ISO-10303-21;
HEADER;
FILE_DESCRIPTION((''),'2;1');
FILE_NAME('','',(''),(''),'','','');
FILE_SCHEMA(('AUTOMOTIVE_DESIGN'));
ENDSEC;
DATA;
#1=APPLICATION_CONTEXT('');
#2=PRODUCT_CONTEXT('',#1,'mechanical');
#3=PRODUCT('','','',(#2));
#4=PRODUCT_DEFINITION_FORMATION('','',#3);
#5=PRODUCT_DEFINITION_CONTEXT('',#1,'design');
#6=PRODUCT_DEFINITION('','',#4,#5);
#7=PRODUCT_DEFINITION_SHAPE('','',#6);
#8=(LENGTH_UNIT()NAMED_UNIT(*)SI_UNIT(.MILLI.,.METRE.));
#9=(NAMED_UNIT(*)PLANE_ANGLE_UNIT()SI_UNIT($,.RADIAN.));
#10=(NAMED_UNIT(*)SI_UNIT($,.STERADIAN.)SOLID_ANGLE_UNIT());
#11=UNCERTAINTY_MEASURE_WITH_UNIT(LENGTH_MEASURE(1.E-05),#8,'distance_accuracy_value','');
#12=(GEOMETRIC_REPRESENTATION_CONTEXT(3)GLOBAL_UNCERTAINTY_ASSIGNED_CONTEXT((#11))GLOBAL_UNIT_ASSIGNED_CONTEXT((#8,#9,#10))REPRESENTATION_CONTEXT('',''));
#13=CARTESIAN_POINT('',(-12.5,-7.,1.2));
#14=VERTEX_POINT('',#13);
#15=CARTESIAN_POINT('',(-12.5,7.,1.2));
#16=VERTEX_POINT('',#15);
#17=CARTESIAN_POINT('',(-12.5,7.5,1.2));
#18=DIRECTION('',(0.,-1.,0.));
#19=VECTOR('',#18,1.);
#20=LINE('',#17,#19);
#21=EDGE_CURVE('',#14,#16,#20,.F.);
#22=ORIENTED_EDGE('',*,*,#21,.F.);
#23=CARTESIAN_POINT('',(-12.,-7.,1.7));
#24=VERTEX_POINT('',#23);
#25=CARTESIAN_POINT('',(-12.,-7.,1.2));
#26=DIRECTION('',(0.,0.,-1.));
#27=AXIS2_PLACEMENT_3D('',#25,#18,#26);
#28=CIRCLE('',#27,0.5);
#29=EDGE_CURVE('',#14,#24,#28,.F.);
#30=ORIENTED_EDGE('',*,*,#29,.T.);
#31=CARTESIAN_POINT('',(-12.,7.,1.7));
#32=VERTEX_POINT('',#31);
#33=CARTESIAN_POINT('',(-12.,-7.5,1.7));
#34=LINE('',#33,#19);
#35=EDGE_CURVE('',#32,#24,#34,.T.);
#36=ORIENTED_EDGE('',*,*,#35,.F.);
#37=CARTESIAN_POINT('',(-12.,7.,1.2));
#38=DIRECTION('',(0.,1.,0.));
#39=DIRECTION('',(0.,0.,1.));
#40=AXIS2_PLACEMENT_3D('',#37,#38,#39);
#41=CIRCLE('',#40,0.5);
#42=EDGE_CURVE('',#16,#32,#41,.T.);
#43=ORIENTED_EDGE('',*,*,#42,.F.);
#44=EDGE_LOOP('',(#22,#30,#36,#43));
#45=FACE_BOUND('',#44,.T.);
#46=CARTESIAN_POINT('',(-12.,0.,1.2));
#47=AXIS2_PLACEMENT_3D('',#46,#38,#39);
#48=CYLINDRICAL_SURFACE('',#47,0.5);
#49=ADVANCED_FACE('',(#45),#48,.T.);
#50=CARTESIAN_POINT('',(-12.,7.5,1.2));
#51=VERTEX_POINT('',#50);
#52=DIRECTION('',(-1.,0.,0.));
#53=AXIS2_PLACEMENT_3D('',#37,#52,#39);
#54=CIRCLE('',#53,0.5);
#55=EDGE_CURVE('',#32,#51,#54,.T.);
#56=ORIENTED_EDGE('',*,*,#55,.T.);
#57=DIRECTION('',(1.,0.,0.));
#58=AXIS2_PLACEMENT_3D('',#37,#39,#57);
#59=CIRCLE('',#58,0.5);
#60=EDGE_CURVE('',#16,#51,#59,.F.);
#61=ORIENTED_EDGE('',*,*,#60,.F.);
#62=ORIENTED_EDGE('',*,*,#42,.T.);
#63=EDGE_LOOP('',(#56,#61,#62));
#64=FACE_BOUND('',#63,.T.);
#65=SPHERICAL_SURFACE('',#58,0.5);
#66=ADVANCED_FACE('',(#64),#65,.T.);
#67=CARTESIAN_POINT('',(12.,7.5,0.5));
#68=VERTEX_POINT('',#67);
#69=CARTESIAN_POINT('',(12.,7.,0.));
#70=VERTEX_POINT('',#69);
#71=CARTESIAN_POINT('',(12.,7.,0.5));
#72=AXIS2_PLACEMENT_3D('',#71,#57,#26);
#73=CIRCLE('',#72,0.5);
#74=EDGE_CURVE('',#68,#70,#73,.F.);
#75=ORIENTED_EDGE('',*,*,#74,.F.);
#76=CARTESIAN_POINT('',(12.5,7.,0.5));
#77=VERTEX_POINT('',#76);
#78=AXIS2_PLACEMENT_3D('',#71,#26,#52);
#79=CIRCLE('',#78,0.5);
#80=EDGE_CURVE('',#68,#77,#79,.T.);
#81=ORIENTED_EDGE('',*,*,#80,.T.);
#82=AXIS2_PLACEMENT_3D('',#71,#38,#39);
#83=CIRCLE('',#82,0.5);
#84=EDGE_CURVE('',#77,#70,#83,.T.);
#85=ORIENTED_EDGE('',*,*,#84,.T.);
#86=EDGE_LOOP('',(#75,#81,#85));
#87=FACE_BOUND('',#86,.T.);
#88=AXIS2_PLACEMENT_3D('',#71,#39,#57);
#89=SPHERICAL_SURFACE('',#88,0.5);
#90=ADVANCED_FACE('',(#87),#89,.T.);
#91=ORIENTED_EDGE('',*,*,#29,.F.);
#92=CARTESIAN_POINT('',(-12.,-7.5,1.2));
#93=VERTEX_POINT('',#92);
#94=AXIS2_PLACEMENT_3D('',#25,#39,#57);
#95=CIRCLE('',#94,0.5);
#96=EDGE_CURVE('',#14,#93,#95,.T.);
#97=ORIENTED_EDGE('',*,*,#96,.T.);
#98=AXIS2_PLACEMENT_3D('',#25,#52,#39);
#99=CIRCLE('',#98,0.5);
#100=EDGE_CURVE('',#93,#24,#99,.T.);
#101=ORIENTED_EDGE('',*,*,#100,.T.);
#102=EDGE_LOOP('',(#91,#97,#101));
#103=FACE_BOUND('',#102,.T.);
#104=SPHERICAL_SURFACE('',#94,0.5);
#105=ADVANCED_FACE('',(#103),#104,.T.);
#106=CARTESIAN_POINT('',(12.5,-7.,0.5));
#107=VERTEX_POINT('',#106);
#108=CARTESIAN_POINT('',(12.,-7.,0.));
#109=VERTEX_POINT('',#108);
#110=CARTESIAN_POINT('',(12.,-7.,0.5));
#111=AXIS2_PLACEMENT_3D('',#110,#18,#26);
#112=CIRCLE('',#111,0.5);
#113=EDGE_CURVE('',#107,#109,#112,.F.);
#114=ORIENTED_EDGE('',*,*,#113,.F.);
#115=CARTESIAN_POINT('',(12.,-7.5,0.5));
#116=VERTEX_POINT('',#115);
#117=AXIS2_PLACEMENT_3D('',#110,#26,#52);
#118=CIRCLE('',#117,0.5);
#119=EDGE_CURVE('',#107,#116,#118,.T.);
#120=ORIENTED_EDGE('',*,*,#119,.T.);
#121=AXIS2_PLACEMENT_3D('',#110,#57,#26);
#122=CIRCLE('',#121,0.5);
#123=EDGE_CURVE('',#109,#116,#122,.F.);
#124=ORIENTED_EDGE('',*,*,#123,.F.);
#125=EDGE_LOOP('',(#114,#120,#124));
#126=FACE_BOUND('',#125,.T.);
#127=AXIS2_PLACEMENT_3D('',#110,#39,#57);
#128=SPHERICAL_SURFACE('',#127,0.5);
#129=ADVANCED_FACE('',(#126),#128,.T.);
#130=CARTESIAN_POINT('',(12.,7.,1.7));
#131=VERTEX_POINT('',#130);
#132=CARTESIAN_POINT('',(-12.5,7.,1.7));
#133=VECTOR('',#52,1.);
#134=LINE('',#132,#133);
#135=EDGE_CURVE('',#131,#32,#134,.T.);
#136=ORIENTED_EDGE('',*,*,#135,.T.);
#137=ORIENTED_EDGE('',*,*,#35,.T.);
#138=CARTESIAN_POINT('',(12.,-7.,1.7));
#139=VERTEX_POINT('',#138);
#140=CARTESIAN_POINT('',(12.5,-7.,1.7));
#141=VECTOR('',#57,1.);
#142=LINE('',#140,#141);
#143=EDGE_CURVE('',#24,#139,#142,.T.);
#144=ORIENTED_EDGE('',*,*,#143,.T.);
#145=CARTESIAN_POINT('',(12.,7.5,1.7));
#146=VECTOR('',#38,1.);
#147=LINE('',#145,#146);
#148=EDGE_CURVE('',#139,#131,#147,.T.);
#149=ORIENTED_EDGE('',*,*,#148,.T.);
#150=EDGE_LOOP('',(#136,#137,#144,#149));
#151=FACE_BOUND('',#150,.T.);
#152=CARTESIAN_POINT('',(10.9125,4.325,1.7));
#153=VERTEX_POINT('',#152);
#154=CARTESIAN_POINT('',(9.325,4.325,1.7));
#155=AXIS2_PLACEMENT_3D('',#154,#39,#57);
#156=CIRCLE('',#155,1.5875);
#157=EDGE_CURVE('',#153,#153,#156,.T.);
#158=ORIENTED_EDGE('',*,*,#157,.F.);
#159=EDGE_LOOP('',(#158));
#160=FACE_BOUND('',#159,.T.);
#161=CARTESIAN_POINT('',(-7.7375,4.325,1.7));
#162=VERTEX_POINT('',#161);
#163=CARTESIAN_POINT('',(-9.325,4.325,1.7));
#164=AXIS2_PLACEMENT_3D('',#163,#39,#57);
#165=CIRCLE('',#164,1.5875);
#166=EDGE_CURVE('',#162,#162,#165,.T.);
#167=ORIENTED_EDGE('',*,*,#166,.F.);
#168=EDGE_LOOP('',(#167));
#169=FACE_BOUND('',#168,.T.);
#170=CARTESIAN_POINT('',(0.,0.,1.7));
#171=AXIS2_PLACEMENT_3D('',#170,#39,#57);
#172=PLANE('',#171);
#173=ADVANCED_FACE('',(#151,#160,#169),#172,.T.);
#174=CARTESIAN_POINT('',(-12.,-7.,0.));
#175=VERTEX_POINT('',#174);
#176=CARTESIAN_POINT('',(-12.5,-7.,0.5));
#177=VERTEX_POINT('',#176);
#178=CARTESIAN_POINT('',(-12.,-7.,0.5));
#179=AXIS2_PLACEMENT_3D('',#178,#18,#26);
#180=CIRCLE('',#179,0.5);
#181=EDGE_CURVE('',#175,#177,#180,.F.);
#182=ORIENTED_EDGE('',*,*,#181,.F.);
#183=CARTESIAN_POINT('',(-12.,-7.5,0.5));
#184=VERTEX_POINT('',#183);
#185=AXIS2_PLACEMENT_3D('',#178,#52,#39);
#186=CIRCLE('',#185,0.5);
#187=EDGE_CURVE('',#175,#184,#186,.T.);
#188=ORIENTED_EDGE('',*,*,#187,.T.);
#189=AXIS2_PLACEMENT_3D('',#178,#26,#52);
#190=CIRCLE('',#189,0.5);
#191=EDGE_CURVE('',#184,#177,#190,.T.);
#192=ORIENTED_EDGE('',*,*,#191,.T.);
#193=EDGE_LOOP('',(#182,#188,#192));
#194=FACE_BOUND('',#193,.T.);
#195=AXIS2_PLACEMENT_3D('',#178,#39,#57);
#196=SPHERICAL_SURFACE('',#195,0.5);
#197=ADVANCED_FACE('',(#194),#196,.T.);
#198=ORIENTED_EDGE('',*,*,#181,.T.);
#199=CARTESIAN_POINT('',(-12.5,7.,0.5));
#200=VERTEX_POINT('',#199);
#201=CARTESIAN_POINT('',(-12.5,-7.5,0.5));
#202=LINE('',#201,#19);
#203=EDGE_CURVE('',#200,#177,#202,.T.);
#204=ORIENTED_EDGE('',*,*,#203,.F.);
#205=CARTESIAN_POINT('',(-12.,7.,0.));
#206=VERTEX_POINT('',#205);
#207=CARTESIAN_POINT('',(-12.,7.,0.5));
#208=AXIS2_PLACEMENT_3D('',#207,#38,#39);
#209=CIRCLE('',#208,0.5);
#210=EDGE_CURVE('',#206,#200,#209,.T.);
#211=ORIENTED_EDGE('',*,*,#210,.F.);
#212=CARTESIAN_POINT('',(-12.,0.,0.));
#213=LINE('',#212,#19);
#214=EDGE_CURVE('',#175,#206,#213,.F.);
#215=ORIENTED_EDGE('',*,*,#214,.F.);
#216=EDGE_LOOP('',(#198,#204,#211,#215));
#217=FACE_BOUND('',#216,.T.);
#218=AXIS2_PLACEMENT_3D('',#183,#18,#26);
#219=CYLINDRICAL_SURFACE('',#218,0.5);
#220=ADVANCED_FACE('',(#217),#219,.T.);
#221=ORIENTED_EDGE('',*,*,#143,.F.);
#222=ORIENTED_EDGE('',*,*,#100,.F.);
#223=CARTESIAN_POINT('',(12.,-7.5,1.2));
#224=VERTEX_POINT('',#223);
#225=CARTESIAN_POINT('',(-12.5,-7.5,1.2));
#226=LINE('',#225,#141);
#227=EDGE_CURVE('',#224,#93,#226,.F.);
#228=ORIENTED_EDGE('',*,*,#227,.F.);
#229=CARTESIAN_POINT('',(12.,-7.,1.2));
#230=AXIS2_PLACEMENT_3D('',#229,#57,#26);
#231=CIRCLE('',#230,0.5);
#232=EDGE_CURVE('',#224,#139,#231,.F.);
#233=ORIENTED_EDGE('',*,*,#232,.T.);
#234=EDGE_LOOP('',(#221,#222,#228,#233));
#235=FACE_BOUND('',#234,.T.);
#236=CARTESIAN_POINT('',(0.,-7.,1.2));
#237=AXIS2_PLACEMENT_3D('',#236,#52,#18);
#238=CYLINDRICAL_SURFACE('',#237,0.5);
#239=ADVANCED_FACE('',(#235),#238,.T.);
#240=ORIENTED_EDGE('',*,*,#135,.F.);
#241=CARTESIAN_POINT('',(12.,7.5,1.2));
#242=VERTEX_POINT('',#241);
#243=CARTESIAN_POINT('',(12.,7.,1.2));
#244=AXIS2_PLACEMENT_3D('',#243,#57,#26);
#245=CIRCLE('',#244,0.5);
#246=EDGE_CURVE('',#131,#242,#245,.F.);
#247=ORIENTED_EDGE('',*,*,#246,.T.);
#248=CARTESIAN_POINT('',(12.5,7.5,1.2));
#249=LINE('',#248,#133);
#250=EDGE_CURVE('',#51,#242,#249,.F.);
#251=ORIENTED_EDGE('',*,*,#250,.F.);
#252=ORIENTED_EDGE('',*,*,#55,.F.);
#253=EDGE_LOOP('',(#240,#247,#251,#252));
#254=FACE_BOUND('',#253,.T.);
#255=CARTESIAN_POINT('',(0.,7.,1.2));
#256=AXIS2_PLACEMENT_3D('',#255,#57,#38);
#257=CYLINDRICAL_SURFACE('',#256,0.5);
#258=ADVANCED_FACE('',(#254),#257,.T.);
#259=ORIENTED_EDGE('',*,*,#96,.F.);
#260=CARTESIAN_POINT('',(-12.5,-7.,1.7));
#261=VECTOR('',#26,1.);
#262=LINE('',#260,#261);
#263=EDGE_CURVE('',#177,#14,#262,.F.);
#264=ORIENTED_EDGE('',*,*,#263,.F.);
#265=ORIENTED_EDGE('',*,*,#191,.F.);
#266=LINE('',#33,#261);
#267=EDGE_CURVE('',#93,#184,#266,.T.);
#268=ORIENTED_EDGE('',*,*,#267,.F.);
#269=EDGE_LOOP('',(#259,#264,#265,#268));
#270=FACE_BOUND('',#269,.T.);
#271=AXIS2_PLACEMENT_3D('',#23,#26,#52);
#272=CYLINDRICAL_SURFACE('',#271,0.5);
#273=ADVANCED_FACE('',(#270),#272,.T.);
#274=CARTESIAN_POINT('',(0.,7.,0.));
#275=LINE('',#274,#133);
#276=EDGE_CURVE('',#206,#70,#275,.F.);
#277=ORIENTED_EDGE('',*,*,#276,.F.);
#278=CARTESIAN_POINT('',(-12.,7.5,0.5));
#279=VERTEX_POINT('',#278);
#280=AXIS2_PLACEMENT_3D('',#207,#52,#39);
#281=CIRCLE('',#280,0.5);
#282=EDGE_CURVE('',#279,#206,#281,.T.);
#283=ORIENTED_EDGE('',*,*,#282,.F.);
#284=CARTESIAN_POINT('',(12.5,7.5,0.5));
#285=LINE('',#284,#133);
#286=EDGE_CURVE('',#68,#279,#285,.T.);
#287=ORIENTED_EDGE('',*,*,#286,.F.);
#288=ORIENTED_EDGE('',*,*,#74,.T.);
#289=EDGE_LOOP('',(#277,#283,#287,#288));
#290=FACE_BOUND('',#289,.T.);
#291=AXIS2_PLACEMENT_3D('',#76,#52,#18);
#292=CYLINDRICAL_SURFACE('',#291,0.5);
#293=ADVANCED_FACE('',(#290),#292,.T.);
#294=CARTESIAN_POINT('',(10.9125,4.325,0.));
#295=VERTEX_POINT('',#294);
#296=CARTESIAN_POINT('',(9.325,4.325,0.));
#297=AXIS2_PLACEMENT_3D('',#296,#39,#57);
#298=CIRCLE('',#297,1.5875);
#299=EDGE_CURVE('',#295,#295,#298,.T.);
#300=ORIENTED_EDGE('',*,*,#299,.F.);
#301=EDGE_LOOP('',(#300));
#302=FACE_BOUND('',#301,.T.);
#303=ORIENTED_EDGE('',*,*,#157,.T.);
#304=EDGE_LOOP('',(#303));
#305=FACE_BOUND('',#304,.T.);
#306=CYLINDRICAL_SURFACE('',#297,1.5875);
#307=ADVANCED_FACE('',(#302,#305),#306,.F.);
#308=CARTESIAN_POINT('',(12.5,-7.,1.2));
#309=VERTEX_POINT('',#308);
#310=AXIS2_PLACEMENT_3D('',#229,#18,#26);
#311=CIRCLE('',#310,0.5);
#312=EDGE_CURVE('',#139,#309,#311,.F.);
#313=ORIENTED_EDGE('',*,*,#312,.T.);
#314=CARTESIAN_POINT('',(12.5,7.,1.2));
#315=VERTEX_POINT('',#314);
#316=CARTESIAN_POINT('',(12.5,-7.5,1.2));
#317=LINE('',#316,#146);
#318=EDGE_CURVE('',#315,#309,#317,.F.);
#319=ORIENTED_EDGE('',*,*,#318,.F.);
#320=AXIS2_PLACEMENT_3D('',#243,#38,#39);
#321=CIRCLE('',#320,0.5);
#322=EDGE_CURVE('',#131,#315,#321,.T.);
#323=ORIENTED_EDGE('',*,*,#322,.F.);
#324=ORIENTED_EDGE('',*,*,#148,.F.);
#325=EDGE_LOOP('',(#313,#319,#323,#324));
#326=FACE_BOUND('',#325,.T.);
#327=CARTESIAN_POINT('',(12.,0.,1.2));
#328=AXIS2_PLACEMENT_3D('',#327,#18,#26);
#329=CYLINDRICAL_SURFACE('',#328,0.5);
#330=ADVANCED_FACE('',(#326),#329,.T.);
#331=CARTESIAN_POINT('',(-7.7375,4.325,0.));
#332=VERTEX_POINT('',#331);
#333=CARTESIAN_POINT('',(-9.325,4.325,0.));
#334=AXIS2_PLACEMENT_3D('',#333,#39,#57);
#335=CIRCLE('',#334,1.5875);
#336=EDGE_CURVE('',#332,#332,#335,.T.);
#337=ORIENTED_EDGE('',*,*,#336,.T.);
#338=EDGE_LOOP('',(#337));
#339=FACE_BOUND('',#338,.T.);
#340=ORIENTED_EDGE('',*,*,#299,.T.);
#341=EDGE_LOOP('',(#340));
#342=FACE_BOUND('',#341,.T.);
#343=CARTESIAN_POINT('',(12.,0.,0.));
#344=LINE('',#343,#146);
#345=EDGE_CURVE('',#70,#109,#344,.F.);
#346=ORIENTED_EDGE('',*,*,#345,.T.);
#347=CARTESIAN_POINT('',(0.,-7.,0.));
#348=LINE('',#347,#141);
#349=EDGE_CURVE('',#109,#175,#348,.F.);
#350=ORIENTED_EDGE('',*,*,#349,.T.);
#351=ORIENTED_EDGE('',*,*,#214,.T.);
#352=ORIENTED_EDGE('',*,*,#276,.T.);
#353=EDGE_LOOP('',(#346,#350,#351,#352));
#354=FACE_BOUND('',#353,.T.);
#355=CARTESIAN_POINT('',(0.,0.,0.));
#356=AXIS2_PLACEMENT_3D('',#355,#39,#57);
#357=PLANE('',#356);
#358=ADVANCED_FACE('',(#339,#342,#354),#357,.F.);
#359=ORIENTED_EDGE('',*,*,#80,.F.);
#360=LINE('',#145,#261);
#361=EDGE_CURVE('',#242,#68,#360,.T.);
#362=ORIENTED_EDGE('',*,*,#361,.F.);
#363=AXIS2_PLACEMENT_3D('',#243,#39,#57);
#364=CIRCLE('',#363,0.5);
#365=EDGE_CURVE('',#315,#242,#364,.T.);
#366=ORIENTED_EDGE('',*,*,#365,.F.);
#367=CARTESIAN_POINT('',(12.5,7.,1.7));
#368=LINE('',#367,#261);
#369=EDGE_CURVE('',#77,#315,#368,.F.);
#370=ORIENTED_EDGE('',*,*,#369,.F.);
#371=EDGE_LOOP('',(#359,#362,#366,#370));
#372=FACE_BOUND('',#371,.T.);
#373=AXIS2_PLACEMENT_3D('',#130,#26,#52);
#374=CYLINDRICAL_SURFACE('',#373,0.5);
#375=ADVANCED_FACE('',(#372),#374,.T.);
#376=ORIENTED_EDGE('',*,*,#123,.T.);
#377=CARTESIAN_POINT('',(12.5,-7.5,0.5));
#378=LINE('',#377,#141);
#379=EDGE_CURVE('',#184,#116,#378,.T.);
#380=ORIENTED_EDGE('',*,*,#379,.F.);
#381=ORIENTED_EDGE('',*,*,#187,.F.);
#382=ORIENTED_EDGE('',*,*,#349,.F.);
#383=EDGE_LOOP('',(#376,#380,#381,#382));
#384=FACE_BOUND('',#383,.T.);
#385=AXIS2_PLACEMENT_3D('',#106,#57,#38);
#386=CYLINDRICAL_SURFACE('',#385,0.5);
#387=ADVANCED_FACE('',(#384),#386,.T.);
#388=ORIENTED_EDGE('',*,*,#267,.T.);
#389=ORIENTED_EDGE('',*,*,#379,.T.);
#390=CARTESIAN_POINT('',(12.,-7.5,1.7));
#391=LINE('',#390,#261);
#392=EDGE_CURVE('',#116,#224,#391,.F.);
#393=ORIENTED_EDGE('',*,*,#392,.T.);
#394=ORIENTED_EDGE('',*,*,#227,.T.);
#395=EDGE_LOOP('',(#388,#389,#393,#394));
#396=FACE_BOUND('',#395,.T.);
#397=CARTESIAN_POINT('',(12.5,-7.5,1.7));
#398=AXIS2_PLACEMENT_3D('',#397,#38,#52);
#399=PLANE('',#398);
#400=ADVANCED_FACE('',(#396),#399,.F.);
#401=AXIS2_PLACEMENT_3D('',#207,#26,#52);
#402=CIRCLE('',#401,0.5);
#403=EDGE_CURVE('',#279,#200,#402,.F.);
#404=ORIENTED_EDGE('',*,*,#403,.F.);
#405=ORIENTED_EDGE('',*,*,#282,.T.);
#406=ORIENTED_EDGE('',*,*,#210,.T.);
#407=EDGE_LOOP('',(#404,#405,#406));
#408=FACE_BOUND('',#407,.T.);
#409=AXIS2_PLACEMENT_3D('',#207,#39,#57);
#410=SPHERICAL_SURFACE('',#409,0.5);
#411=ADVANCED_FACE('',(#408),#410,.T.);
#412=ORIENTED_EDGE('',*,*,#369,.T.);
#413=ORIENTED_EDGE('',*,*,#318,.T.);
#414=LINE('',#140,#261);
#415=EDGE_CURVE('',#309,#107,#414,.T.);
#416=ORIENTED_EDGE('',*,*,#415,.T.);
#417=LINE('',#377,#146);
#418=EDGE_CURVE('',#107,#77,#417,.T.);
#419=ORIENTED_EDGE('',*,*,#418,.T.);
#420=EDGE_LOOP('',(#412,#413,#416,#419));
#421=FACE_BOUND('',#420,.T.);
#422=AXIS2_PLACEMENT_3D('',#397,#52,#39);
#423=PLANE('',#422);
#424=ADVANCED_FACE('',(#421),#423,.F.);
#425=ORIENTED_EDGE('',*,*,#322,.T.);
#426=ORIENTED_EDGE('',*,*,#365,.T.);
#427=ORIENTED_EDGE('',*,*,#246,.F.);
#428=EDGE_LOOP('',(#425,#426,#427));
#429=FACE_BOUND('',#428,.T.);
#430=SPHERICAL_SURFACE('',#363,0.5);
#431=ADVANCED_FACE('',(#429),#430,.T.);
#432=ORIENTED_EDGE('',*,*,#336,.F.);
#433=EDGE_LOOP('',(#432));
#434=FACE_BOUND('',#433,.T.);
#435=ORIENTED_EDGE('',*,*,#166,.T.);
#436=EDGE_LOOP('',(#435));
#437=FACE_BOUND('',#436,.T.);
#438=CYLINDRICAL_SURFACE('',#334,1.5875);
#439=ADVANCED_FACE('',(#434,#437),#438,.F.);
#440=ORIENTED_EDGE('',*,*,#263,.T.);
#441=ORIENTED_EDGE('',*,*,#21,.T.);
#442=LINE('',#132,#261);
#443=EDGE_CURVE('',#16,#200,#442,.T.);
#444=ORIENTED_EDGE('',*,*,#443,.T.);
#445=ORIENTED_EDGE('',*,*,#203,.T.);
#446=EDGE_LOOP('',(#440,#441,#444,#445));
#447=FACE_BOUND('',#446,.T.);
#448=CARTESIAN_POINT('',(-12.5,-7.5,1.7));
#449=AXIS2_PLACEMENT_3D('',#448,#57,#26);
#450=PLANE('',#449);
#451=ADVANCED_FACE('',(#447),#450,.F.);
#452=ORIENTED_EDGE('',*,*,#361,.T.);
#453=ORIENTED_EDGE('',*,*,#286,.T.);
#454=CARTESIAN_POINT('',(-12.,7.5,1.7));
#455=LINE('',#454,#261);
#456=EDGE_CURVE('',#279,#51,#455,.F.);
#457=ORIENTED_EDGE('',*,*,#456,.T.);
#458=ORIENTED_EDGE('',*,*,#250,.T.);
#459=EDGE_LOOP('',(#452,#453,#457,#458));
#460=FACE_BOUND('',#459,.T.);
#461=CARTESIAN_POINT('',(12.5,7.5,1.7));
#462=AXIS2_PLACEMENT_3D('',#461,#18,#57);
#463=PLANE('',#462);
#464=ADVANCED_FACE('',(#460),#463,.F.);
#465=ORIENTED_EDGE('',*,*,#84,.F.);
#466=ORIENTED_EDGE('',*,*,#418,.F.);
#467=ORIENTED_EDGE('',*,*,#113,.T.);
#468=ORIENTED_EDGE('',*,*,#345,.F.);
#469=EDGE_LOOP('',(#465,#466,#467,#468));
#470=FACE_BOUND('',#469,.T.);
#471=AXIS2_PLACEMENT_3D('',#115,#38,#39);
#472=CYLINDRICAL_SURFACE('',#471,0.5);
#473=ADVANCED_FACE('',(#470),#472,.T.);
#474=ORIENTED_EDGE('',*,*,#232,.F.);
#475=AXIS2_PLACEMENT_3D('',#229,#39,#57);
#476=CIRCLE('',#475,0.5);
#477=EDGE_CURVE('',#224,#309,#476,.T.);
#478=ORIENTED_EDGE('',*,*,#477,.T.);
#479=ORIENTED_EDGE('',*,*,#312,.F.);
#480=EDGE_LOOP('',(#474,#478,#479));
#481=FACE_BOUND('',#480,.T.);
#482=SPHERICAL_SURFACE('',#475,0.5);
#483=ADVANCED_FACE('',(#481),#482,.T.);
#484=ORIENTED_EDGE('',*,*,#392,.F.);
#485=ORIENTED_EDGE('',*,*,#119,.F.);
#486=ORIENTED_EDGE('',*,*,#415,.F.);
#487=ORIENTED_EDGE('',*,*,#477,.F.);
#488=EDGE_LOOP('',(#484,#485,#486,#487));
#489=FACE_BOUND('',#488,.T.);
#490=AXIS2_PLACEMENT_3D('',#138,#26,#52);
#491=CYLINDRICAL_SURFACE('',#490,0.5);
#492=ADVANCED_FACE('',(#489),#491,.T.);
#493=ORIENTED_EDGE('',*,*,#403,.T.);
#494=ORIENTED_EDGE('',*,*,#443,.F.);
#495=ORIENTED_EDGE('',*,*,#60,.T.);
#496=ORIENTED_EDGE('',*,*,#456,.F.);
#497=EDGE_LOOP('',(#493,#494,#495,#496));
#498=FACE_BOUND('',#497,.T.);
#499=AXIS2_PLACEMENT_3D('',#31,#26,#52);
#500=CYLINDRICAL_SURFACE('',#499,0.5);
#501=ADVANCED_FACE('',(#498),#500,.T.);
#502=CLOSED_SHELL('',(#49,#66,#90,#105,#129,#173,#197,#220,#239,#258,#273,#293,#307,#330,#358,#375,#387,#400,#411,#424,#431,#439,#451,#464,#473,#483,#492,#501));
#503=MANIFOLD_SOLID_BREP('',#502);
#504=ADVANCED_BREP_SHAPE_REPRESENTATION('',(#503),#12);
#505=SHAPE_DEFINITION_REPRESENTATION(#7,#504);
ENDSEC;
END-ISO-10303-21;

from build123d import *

# Parameters (mm, degrees)
ESBO_O1_W                = 25
ESBO_O1_H                = 15
RESSALTO_EXTRUS_O1_DEPTH = 1.7
ESBO_O2_R                = 1.5875
CORTE_EXTRUS_O1_DEPTH    = 15.676171163
FILETE2_R                = 0.5


with BuildPart() as part:
    # Esboço1 → Ressalto-extrusão1 (new body)
    with BuildSketch(Plane.XY):
        Rectangle(ESBO_O1_W, ESBO_O1_H)
    extrude(amount=RESSALTO_EXTRUS_O1_DEPTH)

    # Esboço2 → Corte-extrusão1 (cut, through all)
    with BuildSketch(Plane.XY.offset(1.7)):
        with Locations((-9.325, 4.325)):
            Circle(ESBO_O2_R)
        with Locations((9.325, 4.325)):
            Circle(ESBO_O2_R)
    extrude(amount=-CORTE_EXTRUS_O1_DEPTH, mode=Mode.SUBTRACT)

    # Filete2
    filete2_edges = [part.edges().sort_by_distance(p)[0] for p in [
        (12.5, 0, 1.7),
        (0, 7.5, 1.7),
        (-12.5, 0, 1.7),
        (0, 7.5, 0),
        (12.5, 0, 0),
        (0, -7.5, 0),
        (-12.5, 0, 0),
        (0, -7.5, 1.7),
        (-12.5, 7.5, 0.85),
        (12.5, 7.5, 0.85),
        (12.5, -7.5, 0.85),
        (-12.5, -7.5, 0.85),
    ]]
    fillet(filete2_edges, radius=FILETE2_R)


solid = part.part
